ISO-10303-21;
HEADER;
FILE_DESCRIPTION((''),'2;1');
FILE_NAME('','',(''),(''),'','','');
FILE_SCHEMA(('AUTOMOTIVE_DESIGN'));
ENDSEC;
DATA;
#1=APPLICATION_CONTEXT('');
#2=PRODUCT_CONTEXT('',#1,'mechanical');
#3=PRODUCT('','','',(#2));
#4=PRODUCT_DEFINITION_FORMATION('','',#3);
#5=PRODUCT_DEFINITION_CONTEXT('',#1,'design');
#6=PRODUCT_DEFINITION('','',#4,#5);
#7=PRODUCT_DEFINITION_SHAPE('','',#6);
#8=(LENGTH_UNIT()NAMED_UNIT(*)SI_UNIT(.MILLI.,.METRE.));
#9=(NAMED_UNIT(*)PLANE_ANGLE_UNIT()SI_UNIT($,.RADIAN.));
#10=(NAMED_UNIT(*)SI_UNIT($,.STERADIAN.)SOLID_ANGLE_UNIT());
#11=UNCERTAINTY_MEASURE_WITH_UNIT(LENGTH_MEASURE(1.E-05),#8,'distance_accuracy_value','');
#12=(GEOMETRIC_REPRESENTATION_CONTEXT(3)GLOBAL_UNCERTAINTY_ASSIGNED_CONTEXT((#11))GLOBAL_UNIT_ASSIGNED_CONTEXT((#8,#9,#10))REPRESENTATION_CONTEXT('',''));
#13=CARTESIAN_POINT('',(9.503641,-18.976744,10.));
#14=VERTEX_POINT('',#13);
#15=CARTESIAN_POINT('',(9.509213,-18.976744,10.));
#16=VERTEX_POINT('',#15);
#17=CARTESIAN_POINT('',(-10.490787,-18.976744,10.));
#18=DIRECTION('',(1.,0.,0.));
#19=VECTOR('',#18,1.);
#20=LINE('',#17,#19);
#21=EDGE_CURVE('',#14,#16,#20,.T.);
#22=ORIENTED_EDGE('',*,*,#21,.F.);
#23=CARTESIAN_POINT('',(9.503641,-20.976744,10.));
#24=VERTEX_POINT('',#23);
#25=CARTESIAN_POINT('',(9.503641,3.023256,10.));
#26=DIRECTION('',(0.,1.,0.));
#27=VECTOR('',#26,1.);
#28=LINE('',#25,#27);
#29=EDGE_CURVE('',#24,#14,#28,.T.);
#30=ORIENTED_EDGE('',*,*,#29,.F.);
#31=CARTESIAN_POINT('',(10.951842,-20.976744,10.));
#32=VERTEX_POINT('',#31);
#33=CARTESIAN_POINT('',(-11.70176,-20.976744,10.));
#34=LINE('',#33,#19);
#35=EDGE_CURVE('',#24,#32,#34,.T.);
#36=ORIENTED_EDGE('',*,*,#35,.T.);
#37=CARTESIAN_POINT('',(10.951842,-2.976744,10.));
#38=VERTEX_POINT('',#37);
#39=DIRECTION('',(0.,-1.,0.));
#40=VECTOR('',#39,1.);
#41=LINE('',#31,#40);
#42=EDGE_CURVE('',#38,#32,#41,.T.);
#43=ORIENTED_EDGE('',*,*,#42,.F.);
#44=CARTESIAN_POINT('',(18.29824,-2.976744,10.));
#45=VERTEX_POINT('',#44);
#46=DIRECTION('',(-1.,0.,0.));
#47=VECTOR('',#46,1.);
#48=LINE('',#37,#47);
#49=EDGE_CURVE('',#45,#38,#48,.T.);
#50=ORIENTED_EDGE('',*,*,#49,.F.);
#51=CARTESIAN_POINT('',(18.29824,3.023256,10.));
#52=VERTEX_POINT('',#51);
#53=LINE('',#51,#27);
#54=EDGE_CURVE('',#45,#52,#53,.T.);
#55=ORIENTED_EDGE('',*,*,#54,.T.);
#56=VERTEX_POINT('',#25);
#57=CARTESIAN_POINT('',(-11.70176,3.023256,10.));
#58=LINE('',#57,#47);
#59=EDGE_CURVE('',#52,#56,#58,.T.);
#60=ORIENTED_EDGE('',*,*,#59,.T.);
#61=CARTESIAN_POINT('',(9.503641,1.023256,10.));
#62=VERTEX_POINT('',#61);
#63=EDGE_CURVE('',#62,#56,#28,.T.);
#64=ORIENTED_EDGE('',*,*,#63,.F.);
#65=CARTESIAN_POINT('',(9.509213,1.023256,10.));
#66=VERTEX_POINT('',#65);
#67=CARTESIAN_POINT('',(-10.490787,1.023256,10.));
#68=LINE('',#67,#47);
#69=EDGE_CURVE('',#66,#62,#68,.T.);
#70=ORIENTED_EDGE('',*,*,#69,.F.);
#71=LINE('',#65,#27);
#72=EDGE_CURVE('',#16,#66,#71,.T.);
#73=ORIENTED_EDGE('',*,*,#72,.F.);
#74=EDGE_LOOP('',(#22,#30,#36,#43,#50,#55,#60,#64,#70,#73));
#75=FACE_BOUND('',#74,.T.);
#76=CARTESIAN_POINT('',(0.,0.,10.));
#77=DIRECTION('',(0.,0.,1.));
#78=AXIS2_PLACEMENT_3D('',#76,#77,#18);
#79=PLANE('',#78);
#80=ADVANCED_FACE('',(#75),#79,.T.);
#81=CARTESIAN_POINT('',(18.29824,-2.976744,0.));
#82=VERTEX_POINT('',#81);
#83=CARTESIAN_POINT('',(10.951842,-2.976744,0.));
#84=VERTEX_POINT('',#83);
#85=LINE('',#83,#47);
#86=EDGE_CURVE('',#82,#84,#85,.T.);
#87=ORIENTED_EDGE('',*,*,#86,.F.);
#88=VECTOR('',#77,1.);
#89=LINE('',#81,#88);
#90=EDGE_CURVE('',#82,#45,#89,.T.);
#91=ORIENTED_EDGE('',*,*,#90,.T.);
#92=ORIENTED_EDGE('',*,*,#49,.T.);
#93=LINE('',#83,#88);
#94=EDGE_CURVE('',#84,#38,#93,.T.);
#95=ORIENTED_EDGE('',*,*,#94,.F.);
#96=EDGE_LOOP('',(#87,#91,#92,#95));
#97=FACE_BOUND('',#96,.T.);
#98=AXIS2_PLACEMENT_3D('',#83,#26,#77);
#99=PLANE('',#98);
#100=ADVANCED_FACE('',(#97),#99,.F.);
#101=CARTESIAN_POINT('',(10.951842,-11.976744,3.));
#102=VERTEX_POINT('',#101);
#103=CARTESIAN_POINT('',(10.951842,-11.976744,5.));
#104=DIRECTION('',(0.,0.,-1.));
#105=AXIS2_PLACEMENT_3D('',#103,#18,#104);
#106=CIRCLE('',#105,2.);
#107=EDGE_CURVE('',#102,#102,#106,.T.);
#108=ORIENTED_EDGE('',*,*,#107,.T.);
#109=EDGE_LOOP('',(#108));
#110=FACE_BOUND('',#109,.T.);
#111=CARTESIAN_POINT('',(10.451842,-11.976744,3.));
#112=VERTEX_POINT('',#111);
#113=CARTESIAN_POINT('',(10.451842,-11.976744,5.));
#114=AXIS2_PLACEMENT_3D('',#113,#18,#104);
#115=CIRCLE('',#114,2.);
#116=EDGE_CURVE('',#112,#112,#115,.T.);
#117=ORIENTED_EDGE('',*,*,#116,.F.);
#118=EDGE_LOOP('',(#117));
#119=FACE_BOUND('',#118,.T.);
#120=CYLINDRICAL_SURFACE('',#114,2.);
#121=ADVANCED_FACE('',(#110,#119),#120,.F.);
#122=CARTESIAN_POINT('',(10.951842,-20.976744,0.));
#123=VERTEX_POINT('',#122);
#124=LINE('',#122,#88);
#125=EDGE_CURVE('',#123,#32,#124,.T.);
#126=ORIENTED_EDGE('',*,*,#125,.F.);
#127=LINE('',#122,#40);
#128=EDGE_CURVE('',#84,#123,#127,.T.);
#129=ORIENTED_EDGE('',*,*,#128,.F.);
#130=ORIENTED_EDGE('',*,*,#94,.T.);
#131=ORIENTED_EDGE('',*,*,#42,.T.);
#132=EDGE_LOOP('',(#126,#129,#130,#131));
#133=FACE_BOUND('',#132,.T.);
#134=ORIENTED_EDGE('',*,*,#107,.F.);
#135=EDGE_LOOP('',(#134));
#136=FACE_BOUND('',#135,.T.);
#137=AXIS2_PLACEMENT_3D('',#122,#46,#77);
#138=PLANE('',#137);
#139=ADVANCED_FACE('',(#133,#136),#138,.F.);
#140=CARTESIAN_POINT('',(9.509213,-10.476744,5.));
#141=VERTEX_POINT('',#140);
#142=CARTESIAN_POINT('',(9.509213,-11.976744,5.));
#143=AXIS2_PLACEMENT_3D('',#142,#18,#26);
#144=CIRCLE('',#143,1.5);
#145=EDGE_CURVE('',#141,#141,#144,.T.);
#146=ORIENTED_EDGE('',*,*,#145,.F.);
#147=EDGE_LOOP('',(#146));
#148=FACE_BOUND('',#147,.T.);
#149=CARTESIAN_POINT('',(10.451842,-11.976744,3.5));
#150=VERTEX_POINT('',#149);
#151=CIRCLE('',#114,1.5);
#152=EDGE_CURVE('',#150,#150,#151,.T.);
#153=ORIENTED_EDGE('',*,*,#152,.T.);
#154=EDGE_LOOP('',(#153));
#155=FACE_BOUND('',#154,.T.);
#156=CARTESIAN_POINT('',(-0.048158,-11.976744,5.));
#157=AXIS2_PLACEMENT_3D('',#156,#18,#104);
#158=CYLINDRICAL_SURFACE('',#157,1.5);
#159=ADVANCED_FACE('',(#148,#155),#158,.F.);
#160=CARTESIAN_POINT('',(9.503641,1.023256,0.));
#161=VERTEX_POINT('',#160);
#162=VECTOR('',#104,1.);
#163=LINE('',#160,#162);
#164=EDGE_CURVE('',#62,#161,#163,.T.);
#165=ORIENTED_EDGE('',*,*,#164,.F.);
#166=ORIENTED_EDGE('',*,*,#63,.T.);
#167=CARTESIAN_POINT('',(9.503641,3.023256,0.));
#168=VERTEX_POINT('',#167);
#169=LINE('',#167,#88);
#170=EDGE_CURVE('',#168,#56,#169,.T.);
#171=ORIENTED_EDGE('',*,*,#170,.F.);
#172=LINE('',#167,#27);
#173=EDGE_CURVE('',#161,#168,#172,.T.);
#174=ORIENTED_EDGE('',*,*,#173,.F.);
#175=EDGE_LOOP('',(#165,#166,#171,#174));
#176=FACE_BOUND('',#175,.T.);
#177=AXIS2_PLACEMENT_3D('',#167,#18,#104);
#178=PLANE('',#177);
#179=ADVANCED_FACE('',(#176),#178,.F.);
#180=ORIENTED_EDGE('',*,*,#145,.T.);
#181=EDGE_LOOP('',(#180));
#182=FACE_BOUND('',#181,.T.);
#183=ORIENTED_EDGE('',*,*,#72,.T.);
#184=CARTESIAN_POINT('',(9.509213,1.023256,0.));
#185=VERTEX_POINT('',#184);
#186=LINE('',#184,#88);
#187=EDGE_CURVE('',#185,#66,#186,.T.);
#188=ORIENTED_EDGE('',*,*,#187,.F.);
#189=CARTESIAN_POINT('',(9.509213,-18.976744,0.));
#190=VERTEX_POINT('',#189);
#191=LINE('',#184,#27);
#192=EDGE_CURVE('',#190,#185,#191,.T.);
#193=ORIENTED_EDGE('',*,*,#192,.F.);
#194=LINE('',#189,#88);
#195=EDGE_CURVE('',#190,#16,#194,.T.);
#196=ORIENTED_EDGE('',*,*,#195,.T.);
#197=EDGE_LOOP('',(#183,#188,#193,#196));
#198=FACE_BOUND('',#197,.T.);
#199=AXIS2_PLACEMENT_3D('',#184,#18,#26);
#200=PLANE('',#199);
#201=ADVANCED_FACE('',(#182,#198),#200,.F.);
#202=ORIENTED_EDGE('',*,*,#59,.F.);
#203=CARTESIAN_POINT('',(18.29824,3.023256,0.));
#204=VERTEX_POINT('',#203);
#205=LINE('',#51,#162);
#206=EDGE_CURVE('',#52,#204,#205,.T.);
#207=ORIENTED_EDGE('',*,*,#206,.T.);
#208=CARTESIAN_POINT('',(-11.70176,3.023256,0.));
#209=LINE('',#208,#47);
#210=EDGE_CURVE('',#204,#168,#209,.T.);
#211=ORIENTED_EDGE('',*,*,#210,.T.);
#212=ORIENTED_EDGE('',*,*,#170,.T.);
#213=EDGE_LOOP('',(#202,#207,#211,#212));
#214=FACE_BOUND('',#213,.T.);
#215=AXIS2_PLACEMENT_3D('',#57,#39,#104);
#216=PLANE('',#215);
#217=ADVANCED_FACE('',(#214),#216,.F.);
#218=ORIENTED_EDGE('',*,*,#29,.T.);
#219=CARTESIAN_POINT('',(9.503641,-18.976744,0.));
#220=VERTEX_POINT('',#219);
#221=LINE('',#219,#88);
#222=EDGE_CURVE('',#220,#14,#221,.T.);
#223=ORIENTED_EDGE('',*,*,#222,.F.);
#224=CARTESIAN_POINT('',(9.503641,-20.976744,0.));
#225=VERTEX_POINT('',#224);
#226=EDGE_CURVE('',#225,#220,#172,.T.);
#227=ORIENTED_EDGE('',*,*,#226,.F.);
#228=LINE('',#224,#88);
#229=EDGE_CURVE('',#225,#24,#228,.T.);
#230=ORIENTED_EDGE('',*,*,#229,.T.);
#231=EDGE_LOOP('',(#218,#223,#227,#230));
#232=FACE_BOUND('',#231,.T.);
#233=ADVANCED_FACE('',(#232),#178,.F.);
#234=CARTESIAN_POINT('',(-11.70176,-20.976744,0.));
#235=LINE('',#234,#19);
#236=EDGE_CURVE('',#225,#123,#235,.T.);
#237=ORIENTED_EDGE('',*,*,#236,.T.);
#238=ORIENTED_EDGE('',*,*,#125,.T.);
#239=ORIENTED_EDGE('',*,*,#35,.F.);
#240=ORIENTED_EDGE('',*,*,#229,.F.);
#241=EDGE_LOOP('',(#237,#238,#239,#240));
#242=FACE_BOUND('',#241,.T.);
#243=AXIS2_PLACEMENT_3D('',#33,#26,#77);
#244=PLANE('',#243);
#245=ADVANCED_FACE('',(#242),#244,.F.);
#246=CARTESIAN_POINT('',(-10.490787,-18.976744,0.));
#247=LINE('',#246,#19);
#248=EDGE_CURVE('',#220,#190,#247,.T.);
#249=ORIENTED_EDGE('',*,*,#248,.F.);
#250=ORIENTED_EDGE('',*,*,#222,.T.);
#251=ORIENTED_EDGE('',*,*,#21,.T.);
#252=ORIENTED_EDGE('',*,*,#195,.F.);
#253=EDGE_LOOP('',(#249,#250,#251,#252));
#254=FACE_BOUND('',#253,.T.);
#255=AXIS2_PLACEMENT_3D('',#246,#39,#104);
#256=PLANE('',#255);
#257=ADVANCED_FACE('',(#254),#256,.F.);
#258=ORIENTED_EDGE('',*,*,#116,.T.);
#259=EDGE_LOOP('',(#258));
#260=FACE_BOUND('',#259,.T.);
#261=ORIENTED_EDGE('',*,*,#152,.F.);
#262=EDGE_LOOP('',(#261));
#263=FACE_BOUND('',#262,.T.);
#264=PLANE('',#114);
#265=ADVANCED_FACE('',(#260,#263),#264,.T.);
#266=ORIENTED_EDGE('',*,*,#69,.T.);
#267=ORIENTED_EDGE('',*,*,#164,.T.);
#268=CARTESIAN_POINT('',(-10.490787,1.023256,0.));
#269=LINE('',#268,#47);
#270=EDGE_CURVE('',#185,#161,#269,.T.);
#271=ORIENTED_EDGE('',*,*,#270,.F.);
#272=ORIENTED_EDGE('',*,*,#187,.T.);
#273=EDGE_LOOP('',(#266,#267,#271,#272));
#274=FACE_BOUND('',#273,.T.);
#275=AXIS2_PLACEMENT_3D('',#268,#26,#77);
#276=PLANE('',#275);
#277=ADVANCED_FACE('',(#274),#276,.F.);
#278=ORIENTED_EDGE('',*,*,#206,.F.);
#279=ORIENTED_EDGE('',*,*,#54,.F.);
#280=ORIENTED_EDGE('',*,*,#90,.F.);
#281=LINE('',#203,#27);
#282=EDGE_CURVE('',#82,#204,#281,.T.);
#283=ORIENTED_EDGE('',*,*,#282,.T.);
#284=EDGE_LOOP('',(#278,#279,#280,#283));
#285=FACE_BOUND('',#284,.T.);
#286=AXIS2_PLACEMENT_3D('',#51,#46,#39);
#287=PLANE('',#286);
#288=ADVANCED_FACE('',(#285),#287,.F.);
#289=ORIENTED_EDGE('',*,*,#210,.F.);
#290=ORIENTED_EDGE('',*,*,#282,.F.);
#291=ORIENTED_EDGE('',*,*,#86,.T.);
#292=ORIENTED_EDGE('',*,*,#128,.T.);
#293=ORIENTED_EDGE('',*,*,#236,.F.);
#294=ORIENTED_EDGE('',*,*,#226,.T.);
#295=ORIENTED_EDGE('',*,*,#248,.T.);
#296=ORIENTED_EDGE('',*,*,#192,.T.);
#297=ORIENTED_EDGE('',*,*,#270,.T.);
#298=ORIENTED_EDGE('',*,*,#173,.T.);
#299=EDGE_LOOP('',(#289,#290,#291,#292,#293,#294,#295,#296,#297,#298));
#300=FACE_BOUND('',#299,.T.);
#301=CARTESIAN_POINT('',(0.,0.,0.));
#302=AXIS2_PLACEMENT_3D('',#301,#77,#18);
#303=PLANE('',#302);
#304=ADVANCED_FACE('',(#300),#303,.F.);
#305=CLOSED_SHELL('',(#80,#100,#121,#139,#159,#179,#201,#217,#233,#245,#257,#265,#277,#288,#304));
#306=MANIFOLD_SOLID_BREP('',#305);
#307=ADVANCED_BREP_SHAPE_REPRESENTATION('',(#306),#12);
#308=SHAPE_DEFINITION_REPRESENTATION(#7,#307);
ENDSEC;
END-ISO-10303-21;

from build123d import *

# Parameters (mm, degrees)
ESQUISSE1_W             = 30
ESQUISSE1_H             = 24
BOSS_EXTRU_1_DEPTH      = 10
ESQUISSE2_W             = 20
ESQUISSE2_H             = 20
ENL_V_MAT_EXTRU_1_DEPTH = 10
ESQUISSE3_W             = 7.346397708
ESQUISSE3_H             = 18
ENL_V_MAT_EXTRU_2_DEPTH = 10
ESQUISSE5_W             = 21.205400457
ESQUISSE5_H             = 24
ENL_V_MAT_EXTRU_3_DEPTH = 10
ESQUISSE6_R             = 2
ENL_V_MAT_EXTRU_4_DEPTH = 0.5
ESQUISSE7_R             = 1.5
ENL_V_MAT_EXTRU_5_DEPTH = 10.5


with BuildPart() as part:
    # Esquisse1 → Boss.-Extru.1 (new body)
    with BuildSketch(Plane.XY):
        with Locations((3.298240101, -8.976744186)):
            Rectangle(ESQUISSE1_W, ESQUISSE1_H)
    extrude(amount=BOSS_EXTRU_1_DEPTH)

    # Esquisse2 → Enlèv. mat.-Extru.1 (cut)
    with BuildSketch(Plane.XY.offset(10)):
        with Locations((-0.490787108, -8.976744186)):
            Rectangle(ESQUISSE2_W, ESQUISSE2_H)
    extrude(amount=-ENL_V_MAT_EXTRU_1_DEPTH, mode=Mode.SUBTRACT)

    # Esquisse3 → Enlèv. mat.-Extru.2 (cut)
    with BuildSketch(Plane.XY.offset(10)):
        with Locations((14.625041247, -11.976744186)):
            Rectangle(ESQUISSE3_W, ESQUISSE3_H)
    extrude(amount=-ENL_V_MAT_EXTRU_2_DEPTH, mode=Mode.SUBTRACT)

    # Esquisse5 → Enlèv. mat.-Extru.3 (cut)
    with BuildSketch(Plane.XY.offset(10)):
        with Locations((-1.09905967, -8.976744186)):
            Rectangle(ESQUISSE5_W, ESQUISSE5_H)
    extrude(amount=-ENL_V_MAT_EXTRU_3_DEPTH, mode=Mode.SUBTRACT)

    # Esquisse6 → Enlèv. mat.-Extru.4 (cut)
    with BuildSketch(Plane(origin=(10.951842393, 0, 0), x_dir=(0, 0, -1), z_dir=(1, 0, 0))):
        with Locations((-5, -11.976744186)):
            Circle(ESQUISSE6_R)
    extrude(amount=-ENL_V_MAT_EXTRU_4_DEPTH, mode=Mode.SUBTRACT)

    # Esquisse7 → Enlèv. mat.-Extru.5 (cut)
    with BuildSketch(Plane(origin=(10.451842393, 0, 0), x_dir=(0, 0, -1), z_dir=(1, 0, 0))):
        with Locations((-5, -11.976744186)):
            Circle(ESQUISSE7_R)
    extrude(amount=-ENL_V_MAT_EXTRU_5_DEPTH, mode=Mode.SUBTRACT)


solid = part.part
